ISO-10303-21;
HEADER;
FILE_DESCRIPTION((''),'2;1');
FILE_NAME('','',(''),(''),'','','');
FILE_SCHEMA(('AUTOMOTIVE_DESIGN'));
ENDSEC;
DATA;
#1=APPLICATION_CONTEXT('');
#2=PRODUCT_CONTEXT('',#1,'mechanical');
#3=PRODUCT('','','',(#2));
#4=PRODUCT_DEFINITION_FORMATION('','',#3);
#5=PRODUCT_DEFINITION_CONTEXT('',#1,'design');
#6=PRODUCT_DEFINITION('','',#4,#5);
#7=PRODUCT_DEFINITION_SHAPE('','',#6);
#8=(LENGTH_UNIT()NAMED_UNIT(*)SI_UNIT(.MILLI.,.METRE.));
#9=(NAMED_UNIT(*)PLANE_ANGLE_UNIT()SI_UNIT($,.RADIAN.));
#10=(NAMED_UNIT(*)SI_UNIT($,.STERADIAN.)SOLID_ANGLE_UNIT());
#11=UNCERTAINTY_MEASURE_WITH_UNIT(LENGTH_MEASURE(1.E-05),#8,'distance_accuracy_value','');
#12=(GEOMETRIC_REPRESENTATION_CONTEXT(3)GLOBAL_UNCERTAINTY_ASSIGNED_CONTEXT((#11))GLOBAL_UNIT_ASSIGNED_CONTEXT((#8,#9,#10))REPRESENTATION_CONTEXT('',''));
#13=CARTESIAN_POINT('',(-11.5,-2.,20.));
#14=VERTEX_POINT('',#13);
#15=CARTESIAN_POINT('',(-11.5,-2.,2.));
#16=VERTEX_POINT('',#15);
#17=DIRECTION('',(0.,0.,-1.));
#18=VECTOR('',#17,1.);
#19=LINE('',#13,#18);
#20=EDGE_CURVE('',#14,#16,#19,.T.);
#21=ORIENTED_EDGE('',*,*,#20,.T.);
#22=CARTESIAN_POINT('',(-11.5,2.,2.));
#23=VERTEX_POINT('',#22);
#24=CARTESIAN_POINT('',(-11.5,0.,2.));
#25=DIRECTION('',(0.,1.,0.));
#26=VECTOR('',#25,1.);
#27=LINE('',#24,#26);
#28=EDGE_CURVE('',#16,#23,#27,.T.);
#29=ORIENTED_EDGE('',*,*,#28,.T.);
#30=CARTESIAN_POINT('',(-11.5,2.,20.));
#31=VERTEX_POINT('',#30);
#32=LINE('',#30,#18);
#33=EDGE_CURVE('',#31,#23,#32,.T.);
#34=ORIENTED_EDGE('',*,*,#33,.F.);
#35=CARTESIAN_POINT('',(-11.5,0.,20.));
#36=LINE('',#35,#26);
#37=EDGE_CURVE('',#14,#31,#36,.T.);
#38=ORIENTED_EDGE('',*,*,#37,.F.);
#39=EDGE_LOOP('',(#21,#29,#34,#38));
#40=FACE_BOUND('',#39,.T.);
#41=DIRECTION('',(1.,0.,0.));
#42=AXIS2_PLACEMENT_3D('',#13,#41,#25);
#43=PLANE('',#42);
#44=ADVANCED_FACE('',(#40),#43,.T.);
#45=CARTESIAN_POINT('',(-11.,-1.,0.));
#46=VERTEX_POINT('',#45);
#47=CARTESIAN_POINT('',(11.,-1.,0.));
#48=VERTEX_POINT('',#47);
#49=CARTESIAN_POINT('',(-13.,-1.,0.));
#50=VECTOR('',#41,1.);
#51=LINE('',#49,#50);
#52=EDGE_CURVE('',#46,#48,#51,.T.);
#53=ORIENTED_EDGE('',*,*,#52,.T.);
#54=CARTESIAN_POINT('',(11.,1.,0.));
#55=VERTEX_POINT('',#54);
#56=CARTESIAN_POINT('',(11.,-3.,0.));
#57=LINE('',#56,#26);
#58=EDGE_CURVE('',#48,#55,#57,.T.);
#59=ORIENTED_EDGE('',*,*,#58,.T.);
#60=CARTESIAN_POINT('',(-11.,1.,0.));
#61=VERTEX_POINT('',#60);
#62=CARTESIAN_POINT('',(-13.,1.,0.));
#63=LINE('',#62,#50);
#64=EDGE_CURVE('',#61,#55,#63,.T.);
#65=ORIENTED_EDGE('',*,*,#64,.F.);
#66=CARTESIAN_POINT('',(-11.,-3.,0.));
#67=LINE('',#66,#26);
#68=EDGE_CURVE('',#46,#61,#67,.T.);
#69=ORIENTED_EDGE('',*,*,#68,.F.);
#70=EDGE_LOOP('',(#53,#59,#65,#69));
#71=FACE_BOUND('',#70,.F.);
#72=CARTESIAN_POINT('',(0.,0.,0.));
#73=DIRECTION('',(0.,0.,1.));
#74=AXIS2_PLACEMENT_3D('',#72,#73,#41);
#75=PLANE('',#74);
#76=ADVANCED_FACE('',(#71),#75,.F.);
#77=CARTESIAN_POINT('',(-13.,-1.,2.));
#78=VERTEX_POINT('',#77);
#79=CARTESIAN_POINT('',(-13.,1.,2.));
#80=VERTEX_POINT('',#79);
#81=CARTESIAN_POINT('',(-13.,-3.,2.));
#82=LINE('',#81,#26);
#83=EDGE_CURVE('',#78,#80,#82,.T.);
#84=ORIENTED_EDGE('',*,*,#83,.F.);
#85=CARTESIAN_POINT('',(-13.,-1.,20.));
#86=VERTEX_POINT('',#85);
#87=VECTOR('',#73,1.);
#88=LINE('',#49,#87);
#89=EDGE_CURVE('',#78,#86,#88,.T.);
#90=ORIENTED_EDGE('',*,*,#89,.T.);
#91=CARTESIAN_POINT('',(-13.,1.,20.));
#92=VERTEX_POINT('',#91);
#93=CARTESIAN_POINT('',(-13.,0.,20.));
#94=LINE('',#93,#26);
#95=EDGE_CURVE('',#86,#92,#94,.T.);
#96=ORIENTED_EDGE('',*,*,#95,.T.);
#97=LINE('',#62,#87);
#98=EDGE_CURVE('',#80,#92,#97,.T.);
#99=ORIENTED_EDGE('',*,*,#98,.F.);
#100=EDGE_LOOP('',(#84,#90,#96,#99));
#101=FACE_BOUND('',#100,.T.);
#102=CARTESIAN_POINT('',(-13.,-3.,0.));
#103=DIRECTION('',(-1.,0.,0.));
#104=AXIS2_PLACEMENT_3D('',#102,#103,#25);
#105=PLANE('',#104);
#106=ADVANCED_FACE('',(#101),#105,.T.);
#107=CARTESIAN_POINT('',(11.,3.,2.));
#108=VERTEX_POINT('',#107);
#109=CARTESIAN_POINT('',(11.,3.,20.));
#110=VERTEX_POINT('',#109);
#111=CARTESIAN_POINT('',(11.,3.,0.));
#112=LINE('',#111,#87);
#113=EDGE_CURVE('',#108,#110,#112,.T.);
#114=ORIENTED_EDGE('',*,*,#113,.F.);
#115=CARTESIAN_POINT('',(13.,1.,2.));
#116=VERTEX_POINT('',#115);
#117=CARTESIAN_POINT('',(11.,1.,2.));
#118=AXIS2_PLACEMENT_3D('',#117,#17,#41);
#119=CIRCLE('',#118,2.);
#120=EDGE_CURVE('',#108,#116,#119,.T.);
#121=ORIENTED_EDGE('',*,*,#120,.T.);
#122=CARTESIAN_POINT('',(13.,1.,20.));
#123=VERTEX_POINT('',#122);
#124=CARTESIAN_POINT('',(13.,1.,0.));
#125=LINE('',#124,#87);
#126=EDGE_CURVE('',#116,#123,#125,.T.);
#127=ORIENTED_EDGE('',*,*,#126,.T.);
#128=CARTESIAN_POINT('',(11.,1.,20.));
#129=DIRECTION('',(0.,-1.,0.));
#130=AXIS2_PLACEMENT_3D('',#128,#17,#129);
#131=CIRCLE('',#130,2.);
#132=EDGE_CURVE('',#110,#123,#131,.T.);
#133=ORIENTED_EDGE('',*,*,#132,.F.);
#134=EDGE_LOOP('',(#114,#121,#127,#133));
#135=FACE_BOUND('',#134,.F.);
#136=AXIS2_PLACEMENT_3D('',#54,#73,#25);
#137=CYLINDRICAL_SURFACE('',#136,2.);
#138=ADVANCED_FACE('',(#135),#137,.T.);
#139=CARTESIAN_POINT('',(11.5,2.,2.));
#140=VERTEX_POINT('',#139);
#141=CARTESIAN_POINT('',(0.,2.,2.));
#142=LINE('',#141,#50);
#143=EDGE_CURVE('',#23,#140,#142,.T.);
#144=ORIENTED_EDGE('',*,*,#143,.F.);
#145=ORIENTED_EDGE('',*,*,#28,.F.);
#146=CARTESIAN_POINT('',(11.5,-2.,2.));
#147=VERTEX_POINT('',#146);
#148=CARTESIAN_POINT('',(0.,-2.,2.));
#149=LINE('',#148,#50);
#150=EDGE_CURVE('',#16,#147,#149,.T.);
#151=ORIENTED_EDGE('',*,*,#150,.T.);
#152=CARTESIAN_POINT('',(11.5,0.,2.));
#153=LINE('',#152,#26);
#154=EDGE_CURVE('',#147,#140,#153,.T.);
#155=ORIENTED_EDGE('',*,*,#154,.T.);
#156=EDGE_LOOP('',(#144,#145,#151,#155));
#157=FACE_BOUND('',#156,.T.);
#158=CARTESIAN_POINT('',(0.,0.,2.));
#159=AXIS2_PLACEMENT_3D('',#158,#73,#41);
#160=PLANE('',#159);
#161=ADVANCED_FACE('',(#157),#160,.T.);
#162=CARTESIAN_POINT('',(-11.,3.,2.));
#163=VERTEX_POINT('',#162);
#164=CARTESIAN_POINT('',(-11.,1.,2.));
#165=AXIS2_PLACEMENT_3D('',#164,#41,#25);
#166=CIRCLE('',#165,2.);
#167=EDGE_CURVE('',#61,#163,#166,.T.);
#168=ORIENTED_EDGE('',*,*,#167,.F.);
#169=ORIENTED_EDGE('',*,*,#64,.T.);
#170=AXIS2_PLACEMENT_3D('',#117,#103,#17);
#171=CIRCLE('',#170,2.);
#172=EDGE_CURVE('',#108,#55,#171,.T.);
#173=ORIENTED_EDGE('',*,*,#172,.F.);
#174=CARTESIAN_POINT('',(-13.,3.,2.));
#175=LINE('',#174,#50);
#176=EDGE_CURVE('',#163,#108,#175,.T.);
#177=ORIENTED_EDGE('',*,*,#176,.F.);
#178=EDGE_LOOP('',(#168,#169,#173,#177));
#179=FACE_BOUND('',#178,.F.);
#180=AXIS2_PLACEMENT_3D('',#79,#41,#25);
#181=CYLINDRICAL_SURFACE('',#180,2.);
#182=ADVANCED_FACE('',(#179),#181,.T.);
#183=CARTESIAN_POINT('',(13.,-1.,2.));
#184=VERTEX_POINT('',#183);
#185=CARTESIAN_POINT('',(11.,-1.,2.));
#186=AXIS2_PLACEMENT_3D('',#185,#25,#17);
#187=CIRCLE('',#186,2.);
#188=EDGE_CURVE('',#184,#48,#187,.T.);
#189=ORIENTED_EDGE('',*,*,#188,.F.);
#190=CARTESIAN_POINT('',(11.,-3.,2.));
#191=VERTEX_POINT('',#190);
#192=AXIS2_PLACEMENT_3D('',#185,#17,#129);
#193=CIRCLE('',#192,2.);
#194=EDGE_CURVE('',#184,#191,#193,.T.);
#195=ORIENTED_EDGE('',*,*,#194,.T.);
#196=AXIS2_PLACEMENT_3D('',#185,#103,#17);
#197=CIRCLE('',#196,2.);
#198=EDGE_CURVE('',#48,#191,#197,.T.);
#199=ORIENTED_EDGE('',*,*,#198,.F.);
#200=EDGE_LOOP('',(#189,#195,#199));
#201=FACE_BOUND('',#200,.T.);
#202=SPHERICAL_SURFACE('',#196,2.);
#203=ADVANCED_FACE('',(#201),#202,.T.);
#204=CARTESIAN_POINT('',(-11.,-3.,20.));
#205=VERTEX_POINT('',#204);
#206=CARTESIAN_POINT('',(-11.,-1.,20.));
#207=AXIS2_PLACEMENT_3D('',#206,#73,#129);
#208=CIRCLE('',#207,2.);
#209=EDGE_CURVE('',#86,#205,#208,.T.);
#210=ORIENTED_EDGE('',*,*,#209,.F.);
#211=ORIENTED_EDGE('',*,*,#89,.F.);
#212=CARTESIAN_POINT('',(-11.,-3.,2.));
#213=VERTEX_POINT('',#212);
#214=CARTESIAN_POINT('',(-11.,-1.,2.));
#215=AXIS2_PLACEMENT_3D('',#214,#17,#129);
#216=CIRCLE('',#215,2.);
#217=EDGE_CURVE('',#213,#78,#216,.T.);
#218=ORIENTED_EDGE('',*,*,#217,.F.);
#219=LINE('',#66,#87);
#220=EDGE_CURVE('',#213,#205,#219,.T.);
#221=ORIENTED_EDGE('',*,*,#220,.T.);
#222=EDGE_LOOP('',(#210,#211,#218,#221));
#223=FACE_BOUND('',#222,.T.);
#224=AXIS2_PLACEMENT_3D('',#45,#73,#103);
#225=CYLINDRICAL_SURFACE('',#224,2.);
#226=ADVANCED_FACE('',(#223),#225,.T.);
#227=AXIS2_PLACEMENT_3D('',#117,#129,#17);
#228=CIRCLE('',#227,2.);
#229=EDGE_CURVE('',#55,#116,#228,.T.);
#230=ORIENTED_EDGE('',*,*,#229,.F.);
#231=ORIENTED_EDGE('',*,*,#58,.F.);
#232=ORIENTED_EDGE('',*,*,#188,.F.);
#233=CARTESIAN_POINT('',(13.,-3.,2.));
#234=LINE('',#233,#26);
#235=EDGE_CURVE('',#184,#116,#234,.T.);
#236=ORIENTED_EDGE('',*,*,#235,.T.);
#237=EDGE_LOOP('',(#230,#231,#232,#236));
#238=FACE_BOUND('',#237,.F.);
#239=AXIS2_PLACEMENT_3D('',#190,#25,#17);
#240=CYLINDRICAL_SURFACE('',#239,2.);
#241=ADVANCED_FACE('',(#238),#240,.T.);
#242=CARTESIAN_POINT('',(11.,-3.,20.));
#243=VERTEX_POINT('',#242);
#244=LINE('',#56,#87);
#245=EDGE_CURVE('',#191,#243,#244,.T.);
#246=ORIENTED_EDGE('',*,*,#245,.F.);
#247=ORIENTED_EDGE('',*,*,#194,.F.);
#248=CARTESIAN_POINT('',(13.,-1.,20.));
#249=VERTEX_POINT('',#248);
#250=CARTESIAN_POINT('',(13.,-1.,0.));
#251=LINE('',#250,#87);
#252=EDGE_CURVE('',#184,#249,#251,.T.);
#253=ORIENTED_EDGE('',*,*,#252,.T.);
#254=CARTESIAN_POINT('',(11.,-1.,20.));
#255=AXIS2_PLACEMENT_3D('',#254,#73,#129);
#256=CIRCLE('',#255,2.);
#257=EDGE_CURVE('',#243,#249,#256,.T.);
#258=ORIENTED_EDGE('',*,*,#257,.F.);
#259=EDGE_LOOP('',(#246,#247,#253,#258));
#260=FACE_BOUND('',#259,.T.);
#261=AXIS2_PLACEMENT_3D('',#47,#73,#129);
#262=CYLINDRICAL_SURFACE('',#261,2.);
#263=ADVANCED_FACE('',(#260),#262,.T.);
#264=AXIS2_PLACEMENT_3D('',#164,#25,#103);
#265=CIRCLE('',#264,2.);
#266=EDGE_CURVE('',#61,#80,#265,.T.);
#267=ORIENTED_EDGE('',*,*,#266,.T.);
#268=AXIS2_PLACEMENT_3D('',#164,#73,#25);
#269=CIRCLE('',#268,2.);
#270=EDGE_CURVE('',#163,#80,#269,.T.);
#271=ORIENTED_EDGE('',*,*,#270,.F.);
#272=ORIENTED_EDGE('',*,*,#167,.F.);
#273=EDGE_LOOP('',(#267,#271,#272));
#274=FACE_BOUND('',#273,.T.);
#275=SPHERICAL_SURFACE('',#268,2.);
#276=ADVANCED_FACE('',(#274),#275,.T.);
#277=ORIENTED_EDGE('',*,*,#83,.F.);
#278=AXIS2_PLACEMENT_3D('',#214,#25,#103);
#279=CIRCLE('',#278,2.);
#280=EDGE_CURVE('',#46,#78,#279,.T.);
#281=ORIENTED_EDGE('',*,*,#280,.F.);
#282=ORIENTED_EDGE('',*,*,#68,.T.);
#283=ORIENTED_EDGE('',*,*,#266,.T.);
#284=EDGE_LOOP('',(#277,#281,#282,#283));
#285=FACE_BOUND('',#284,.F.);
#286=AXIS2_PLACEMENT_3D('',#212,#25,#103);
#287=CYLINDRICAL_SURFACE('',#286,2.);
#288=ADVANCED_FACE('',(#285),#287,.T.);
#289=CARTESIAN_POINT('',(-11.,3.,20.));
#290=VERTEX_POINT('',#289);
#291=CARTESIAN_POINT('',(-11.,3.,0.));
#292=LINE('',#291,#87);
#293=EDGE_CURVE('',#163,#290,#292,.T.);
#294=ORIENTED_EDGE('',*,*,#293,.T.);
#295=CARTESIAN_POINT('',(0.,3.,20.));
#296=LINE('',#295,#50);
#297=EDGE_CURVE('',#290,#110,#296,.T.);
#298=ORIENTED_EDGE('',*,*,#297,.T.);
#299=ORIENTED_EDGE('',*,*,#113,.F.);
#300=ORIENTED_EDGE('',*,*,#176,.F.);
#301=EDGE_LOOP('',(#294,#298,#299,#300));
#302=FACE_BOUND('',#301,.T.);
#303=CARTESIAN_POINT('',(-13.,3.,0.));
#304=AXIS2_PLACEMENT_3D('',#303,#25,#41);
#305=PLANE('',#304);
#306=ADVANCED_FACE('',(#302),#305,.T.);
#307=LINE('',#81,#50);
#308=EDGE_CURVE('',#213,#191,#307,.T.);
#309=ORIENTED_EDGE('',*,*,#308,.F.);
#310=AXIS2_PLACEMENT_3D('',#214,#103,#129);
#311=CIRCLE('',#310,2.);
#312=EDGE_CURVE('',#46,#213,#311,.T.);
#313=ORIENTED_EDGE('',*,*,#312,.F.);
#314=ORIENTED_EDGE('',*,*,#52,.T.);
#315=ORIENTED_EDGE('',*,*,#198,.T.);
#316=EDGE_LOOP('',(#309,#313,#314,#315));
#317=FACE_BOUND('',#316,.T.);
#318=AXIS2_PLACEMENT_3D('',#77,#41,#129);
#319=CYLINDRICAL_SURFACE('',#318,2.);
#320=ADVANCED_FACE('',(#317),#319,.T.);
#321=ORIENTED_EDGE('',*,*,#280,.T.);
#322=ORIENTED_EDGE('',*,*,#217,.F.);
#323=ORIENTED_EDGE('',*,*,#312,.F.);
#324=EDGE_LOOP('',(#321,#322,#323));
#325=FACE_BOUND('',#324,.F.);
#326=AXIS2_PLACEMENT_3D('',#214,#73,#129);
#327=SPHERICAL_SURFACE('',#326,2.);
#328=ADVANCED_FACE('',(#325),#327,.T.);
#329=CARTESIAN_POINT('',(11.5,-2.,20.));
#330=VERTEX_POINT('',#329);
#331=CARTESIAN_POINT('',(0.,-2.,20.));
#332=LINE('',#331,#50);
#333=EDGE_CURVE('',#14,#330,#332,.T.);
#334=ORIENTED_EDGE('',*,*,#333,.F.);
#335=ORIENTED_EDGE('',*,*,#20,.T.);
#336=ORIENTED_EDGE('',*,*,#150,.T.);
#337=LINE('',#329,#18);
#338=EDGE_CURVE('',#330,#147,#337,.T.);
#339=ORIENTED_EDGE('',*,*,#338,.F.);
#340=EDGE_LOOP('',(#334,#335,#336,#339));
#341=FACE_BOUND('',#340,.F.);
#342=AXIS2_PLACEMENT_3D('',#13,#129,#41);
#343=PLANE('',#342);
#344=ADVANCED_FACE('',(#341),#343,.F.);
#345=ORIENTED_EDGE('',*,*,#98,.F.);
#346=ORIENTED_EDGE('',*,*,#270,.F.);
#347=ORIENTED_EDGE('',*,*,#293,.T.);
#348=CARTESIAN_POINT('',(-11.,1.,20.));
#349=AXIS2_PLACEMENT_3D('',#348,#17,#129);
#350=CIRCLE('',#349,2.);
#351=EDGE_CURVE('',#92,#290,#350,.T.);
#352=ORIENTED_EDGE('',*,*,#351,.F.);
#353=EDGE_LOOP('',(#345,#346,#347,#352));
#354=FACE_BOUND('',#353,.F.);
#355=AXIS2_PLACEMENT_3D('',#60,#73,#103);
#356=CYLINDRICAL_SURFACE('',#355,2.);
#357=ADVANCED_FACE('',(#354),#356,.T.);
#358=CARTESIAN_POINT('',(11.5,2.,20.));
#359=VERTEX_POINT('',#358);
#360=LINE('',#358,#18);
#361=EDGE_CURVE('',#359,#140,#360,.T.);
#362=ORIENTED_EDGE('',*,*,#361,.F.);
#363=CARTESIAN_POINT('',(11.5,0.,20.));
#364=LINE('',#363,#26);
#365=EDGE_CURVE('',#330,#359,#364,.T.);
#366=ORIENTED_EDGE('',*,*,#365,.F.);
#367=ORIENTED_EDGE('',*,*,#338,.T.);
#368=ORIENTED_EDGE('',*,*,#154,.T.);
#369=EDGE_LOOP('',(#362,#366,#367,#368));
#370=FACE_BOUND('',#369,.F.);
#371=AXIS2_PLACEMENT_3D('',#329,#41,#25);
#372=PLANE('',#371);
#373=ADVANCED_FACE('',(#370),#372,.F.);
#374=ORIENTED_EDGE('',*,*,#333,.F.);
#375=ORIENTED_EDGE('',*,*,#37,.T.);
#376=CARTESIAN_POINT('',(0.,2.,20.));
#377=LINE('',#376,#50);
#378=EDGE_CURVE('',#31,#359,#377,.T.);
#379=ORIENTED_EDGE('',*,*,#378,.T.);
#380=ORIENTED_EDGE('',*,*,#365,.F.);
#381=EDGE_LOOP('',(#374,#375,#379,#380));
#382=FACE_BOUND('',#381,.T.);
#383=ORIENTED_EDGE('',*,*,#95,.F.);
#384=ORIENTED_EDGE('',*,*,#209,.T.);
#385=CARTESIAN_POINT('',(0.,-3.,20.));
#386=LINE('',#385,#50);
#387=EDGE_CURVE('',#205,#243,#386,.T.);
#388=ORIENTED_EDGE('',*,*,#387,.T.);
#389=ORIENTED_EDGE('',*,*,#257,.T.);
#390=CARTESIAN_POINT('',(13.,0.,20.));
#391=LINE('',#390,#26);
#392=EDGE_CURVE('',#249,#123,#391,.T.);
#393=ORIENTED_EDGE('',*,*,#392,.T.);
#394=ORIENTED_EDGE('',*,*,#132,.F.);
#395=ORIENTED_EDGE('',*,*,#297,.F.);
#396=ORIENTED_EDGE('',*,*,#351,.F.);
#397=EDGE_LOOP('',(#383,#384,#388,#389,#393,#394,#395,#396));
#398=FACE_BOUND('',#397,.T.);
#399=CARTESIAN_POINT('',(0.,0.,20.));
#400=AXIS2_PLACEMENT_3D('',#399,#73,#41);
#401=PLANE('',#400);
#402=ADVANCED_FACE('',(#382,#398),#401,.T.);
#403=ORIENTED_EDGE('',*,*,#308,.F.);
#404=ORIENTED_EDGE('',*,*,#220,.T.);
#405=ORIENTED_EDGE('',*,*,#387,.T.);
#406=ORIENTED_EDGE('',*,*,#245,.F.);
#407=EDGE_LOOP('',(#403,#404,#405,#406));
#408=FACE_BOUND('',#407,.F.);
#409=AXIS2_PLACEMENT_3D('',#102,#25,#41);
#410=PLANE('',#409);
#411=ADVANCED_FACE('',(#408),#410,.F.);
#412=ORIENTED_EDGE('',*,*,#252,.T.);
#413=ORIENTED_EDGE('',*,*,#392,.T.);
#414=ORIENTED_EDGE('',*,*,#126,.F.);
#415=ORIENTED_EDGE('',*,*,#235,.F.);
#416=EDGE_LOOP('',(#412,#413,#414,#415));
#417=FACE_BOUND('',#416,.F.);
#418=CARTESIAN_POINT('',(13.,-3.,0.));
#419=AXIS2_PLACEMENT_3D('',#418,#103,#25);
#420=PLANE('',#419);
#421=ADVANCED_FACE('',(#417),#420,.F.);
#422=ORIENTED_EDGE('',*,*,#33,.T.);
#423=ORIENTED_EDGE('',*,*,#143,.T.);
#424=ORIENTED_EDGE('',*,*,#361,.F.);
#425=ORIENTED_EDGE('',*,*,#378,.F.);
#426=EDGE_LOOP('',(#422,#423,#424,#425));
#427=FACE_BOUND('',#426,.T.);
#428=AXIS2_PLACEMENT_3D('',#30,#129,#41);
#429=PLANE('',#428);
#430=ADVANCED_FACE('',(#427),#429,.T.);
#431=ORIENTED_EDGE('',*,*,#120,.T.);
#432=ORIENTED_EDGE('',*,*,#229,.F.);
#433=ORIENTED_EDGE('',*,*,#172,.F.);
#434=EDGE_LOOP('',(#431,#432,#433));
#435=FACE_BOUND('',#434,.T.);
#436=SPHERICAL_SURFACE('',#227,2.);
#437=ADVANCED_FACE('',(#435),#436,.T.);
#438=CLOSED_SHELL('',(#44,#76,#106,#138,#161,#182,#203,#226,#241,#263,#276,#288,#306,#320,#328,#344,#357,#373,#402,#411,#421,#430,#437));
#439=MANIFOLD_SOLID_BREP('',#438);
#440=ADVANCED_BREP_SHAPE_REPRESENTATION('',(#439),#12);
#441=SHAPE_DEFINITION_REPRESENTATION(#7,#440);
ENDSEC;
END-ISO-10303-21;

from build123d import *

# Parameters (mm, degrees)
F0_W     = 26
F0_H     = 6
F1_DEPTH = 20
F2_W     = 23
F2_H     = 4
F3_DEPTH = 18
F4_R     = 2


with BuildPart() as f1:
    # F0 (on Top) → F1 (new body)
    with BuildSketch(Plane.XY):
        Rectangle(F0_W, F0_H)
    extrude(amount=F1_DEPTH)

    # F2 (on face) → F3 (cut)
    with BuildSketch(Plane.XY.offset(20)):
        Rectangle(F2_W, F2_H)
    extrude(amount=-F3_DEPTH, mode=Mode.SUBTRACT)

    # F4
    f4_edges = [f1.edges().sort_by_distance(p)[0] for p in [
        (-13, 3, 10),
        (-13, -3, 10),
        (0, -3, 0),
        (13, 0, 0),
        (0, 3, 0),
        (-13, 0, 0),
        (13, -3, 10),
        (13, 3, 10),
    ]]
    fillet(f4_edges, radius=F4_R)


solid = f1.part
